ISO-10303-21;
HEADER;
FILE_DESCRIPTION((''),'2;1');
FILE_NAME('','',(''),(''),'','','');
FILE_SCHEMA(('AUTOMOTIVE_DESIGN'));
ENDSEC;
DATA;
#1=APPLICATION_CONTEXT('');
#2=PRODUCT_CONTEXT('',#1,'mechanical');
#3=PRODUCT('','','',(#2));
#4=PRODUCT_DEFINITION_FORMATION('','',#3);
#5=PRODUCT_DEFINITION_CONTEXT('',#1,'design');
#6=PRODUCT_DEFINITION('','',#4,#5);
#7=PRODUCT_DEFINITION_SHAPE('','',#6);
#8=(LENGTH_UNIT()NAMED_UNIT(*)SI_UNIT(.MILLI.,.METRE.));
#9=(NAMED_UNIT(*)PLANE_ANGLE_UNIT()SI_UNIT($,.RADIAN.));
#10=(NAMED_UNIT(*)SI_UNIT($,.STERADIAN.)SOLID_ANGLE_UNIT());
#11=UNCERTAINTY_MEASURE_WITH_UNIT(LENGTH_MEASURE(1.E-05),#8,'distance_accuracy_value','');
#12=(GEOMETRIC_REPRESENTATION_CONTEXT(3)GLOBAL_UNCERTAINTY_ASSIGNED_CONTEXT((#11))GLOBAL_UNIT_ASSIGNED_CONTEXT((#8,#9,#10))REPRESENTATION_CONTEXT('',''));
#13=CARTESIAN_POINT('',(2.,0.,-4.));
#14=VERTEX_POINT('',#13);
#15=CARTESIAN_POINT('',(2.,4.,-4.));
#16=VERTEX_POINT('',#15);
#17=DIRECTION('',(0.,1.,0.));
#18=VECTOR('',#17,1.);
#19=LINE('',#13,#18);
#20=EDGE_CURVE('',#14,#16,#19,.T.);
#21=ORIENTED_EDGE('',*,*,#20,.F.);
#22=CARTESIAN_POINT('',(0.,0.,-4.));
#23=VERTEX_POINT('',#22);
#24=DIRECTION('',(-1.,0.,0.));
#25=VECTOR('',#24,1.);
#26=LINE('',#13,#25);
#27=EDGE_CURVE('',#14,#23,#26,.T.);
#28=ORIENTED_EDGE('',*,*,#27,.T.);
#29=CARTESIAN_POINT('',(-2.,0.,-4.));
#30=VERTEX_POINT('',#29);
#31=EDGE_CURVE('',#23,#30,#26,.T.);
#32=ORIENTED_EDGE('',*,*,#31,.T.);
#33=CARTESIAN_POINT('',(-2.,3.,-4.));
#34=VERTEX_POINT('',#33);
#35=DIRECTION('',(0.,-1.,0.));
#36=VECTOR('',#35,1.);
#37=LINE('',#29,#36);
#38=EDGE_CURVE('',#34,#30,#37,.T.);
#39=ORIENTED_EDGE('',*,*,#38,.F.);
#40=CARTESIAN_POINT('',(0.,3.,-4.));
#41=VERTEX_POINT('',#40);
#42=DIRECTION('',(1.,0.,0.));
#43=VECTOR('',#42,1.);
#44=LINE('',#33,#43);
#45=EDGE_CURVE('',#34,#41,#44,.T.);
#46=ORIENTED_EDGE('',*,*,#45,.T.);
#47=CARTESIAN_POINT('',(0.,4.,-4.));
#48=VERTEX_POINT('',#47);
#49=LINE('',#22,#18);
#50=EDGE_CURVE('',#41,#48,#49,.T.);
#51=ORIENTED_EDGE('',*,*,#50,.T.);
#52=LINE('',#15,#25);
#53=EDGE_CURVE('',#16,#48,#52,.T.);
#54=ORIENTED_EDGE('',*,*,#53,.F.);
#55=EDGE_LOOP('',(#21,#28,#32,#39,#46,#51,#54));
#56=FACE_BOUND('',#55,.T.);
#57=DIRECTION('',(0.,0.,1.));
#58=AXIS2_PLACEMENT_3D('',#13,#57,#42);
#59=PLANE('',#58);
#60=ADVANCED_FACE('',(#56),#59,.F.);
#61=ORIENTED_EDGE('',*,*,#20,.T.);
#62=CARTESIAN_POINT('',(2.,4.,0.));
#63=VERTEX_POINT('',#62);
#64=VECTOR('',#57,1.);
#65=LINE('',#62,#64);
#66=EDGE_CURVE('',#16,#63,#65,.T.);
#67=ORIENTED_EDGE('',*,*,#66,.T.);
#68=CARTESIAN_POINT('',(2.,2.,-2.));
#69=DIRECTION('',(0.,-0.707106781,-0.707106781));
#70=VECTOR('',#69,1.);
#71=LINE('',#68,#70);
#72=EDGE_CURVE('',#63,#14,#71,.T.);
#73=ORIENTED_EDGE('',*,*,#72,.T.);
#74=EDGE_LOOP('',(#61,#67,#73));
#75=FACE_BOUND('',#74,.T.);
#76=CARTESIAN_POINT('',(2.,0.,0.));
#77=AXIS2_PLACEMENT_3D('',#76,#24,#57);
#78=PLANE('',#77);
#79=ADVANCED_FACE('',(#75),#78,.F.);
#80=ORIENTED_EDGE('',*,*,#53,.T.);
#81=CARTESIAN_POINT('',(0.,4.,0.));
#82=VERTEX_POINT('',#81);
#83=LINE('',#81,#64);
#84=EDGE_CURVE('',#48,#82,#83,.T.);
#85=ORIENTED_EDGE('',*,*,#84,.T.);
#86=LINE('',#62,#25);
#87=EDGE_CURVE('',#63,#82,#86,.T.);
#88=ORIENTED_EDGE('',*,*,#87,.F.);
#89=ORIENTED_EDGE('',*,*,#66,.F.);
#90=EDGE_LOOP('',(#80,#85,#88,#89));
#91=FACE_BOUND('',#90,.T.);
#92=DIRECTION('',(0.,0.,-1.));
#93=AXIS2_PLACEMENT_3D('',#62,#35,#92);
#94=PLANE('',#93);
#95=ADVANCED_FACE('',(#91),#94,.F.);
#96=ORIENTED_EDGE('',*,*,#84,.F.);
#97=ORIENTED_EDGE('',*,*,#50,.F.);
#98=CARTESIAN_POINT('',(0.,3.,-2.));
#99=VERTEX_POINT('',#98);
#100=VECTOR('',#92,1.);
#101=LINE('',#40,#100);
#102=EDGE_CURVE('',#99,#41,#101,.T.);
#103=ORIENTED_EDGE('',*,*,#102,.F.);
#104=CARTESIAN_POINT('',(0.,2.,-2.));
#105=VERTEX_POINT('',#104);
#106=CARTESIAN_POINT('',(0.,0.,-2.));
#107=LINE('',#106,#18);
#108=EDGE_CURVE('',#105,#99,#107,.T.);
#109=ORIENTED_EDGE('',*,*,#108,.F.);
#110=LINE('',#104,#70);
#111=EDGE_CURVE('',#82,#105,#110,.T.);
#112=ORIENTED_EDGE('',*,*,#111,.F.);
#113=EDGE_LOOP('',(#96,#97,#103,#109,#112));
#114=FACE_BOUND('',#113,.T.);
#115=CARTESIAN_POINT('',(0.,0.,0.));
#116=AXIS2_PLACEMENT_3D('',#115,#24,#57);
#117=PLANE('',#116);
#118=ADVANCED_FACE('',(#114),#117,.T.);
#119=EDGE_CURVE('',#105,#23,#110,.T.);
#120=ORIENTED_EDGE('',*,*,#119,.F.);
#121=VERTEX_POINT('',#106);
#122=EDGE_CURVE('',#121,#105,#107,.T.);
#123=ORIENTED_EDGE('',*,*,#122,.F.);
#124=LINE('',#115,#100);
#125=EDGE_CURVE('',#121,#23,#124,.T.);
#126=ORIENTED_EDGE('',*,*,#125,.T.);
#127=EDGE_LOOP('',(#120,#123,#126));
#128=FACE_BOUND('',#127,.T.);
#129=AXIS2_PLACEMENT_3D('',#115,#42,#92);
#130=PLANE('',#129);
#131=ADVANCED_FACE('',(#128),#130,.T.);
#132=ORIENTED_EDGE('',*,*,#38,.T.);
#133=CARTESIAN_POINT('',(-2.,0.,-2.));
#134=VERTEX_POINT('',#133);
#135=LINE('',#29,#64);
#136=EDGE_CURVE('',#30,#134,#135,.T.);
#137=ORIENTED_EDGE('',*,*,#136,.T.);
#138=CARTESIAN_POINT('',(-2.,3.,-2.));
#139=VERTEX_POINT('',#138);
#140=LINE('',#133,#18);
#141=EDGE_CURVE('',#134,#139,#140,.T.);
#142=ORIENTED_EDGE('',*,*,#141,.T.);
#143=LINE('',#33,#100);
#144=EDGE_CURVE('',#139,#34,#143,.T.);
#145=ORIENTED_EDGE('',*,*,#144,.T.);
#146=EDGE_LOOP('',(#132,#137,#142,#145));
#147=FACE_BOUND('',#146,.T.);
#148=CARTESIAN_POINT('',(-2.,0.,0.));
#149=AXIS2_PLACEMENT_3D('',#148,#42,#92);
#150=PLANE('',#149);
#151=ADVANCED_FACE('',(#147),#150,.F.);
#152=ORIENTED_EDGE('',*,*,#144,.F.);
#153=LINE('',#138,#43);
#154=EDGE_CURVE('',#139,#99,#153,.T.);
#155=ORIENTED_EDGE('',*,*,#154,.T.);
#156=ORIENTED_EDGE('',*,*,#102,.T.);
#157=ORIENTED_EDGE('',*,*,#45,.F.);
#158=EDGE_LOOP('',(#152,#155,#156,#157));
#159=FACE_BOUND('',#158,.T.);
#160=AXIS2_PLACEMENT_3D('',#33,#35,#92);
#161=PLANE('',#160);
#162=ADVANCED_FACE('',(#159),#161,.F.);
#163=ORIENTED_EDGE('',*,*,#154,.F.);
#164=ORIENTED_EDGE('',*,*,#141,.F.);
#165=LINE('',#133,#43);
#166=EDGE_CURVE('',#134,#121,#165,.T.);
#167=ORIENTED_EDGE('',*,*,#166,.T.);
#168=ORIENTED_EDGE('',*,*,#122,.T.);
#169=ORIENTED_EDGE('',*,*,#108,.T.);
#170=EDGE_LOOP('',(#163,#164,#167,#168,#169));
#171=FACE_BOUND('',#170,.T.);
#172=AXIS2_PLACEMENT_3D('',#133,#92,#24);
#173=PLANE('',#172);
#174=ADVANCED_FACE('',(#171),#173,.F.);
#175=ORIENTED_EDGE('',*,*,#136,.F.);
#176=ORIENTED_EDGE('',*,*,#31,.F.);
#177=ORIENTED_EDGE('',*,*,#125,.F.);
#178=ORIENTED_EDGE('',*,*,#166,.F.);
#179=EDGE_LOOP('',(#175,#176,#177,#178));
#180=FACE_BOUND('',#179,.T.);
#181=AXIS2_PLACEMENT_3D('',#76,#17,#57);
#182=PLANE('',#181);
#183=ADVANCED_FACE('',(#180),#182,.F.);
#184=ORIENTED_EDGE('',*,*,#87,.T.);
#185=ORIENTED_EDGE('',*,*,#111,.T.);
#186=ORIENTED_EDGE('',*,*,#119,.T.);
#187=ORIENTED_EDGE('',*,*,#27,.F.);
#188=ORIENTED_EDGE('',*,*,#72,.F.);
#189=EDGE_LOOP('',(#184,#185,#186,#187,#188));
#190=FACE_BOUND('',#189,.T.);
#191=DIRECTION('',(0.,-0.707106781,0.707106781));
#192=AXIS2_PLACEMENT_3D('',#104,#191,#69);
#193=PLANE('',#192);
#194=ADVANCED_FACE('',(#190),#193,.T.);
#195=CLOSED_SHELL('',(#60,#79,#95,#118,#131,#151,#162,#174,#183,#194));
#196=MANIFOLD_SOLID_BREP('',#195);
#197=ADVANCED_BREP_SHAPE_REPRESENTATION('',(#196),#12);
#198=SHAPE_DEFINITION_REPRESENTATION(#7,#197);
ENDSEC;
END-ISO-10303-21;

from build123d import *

# Parameters (mm, degrees)
SKETCH1_W           = 4
SKETCH1_H           = 4
BOSS_EXTRUDE1_DEPTH = 2
SKETCH2_W           = 2
SKETCH2_H           = 3
BOSS_EXTRUDE2_DEPTH = 2
CUT_EXTRUDE2_DEPTH  = 2


with BuildPart() as part:
    # Sketch1 → Boss-Extrude1 (new body)
    with BuildSketch(Plane(origin=(0, 0, 0), x_dir=(0, 0, -1), z_dir=(1, 0, 0))):
        with Locations((2, 2)):
            Rectangle(SKETCH1_W, SKETCH1_H)
    extrude(amount=BOSS_EXTRUDE1_DEPTH)

    # Sketch2 → Boss-Extrude2 (add)
    with BuildSketch(Plane.ZY):
        with Locations((-3, 1.5)):
            Rectangle(SKETCH2_W, SKETCH2_H)
    extrude(amount=BOSS_EXTRUDE2_DEPTH)

    # Sketch3 → Cut-Extrude2 (cut)
    with BuildSketch(Plane(origin=(2, 0, 0), x_dir=(0, 0, -1), z_dir=(1, 0, 0))):
        Polygon((0, 4), (4, 0), (0, 0), align=None)
    extrude(amount=-CUT_EXTRUDE2_DEPTH, mode=Mode.SUBTRACT)


solid = part.part
